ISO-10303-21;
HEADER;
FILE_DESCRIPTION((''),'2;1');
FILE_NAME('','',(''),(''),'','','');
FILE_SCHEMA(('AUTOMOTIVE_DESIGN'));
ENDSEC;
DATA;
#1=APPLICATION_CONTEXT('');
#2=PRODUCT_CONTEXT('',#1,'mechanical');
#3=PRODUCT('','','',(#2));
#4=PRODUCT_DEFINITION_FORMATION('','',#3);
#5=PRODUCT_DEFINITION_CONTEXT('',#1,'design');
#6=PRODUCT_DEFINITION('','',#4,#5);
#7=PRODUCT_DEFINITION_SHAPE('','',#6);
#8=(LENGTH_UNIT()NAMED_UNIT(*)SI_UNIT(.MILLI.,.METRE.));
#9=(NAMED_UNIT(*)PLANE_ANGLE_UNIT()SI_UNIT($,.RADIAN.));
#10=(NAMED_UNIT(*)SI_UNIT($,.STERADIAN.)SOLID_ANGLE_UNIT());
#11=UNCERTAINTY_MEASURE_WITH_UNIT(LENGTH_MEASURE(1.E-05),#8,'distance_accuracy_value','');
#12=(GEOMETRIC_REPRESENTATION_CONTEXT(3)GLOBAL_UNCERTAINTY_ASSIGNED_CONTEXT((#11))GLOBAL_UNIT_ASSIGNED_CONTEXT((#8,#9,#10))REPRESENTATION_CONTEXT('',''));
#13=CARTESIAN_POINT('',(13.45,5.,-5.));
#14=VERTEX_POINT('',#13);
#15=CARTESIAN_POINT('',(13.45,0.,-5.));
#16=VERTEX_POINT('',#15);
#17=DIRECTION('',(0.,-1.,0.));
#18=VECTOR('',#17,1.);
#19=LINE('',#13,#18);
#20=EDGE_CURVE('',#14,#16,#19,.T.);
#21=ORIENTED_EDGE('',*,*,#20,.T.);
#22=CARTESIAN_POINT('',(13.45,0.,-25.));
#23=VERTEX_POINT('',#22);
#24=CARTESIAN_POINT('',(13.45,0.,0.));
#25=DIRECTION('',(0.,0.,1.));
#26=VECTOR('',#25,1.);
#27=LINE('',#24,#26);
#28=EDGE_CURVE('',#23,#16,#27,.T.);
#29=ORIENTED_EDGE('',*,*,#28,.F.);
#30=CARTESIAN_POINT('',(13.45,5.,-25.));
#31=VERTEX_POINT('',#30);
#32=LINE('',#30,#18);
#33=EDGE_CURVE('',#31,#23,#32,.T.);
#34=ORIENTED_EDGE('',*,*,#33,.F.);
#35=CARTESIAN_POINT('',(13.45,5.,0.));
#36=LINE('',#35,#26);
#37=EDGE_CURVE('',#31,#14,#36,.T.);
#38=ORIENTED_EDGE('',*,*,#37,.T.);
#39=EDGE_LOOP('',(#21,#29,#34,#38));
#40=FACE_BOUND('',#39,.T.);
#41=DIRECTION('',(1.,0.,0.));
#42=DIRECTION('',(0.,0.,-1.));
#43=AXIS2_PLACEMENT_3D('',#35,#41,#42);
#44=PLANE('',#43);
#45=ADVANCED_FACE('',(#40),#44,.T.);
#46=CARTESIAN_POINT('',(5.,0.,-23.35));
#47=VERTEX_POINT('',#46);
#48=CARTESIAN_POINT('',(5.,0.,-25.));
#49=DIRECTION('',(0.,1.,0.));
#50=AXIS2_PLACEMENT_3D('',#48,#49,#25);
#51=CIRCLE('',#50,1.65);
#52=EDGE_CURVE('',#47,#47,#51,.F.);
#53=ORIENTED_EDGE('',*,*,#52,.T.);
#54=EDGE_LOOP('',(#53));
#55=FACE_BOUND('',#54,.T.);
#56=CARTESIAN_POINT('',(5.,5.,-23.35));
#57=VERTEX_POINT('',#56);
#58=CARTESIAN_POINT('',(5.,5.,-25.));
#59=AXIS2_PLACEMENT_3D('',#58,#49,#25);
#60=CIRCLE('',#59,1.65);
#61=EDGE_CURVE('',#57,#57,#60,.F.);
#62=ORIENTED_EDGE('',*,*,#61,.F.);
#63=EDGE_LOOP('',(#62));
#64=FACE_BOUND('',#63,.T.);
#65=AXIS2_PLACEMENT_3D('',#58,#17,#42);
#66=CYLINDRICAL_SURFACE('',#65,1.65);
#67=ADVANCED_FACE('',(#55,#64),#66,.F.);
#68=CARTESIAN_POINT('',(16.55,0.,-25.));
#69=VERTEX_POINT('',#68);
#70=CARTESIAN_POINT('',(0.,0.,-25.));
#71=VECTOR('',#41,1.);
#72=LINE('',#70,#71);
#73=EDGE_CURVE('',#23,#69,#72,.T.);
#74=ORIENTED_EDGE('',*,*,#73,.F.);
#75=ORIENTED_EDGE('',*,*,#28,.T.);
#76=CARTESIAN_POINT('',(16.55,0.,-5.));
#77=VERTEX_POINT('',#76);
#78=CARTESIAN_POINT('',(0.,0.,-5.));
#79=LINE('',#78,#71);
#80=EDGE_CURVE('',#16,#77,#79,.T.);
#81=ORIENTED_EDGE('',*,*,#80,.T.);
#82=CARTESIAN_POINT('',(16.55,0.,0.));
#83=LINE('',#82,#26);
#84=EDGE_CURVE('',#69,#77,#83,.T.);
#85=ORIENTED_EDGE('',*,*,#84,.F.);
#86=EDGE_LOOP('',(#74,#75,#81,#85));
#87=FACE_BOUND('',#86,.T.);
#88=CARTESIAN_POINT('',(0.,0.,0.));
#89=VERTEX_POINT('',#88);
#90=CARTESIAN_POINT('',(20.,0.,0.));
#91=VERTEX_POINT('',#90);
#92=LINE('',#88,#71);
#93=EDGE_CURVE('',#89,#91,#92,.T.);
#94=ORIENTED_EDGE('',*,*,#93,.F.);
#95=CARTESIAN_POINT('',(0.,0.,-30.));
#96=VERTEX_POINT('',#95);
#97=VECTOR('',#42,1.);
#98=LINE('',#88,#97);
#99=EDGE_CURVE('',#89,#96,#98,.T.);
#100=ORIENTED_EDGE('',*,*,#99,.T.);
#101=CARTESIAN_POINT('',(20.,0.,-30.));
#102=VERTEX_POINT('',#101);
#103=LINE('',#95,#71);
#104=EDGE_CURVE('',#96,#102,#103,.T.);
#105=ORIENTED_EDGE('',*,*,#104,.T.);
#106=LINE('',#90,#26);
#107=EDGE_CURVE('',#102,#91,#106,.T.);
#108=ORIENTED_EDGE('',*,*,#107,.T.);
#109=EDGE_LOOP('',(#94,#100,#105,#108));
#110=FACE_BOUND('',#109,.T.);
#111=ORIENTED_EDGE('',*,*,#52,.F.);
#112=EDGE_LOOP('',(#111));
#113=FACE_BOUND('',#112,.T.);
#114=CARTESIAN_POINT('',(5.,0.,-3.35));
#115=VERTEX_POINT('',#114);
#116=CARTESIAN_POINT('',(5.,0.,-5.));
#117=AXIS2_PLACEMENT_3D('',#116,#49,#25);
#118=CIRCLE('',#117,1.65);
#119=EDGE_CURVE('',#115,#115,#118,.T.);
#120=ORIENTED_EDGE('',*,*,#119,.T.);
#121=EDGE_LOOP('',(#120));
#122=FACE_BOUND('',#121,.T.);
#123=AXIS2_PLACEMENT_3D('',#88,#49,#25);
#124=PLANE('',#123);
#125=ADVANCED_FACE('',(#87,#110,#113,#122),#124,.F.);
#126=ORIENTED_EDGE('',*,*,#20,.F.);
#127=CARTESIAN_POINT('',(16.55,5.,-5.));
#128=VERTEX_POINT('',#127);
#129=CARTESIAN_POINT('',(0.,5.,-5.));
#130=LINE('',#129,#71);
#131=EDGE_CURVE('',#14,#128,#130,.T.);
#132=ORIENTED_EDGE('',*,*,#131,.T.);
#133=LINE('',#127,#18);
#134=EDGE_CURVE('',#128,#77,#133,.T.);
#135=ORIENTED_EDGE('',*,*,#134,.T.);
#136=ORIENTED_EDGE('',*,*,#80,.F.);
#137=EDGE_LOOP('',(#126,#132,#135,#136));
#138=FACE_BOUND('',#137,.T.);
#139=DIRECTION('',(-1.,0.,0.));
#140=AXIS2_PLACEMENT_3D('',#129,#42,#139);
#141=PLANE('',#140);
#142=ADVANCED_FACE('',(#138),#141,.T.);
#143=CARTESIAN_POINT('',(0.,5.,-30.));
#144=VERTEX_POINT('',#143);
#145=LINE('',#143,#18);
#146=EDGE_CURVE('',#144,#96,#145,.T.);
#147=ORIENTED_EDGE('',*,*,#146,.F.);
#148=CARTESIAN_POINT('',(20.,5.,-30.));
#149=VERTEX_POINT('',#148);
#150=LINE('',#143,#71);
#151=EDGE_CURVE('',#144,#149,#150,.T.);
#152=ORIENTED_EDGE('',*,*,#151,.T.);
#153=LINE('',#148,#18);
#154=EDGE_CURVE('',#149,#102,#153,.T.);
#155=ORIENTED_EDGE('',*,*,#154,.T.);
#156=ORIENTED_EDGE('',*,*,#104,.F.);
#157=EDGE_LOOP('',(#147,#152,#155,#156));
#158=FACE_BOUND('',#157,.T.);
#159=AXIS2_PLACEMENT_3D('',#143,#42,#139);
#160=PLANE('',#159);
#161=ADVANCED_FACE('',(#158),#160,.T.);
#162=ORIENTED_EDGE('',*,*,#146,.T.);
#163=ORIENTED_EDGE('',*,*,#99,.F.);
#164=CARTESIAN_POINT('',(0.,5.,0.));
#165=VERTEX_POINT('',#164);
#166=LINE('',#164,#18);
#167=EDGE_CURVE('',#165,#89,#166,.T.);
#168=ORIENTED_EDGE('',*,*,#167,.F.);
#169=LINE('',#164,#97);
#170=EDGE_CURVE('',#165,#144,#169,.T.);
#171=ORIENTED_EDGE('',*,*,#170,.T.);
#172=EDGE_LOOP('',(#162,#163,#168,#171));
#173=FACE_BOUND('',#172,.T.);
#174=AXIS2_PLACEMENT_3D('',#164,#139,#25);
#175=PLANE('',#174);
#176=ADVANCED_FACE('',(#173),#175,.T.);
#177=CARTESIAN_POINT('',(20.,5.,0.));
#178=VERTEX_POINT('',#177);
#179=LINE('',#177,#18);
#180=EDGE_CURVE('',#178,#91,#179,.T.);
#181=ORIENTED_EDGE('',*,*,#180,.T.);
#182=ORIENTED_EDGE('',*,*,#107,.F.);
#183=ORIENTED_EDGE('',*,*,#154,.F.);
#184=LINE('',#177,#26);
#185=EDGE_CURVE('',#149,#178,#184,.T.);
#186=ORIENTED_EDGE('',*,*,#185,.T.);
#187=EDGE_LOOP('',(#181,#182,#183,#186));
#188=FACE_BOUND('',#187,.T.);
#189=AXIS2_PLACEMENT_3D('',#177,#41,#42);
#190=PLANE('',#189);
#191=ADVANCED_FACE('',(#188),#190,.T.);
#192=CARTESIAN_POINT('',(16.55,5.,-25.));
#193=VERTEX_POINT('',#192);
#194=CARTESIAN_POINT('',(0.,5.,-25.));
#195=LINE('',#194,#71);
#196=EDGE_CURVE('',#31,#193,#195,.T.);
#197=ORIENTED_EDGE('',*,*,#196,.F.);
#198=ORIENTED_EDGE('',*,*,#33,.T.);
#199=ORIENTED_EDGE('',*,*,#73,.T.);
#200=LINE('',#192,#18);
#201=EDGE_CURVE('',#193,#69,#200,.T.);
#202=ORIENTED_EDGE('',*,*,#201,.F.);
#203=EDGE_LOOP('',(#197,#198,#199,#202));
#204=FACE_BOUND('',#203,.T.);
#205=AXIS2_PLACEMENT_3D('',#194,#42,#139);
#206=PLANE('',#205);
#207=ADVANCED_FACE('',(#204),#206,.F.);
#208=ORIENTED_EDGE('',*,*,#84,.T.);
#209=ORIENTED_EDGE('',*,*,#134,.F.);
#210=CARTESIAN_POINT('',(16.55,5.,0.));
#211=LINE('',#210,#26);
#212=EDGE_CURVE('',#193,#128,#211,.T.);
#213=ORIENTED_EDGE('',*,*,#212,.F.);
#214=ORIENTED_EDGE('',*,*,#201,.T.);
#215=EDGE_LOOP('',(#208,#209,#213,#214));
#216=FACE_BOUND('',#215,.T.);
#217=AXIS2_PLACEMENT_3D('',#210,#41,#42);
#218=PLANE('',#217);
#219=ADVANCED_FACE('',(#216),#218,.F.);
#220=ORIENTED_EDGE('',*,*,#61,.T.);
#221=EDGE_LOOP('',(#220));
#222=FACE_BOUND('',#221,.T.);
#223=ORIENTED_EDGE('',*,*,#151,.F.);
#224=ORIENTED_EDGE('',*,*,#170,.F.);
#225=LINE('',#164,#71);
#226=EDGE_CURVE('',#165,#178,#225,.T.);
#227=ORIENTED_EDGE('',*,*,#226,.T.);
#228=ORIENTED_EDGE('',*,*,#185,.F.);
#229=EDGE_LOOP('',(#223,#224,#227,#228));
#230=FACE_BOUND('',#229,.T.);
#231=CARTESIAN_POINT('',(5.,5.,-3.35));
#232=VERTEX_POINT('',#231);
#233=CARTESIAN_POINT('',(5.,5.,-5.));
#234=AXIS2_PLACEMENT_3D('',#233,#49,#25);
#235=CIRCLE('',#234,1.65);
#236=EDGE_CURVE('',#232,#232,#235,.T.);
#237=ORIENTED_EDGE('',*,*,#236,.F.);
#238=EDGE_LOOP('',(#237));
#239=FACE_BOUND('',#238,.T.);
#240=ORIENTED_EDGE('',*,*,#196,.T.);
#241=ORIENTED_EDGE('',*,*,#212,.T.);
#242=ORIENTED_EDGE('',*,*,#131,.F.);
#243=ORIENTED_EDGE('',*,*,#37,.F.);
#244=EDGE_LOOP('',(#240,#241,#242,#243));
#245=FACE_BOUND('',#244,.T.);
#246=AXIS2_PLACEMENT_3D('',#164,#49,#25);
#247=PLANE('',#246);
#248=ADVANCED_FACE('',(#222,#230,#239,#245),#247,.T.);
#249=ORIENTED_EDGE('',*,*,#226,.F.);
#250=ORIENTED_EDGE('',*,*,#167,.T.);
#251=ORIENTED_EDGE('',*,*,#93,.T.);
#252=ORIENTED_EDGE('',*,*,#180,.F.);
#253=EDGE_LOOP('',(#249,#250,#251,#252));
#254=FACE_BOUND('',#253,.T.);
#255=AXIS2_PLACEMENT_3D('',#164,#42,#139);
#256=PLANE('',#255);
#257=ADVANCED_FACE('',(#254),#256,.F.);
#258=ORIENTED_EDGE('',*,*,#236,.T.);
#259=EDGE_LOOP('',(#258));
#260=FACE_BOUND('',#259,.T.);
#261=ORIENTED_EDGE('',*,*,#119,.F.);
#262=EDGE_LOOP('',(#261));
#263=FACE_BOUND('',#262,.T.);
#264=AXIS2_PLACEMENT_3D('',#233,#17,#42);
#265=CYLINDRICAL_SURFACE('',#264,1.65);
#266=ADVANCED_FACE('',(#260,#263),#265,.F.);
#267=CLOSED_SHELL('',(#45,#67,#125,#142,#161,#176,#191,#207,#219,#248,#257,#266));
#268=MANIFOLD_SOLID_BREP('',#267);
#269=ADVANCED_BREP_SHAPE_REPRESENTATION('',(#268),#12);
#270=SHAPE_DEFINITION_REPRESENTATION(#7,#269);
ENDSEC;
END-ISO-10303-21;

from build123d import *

# Parameters (mm, degrees)
SKETCH1_W           = 10
SKETCH1_H           = 15
SKETCH1_R           = 1.65
BOSS_EXTRUDE1_DEPTH = 5


with BuildPart() as part:
    # Sketch1 → Boss-Extrude1 (new body)
    # profile 1 of 4: a face of its own
    with BuildSketch(Plane(origin=(0, 0, 0), x_dir=(1, 0, 0), z_dir=(0, 1, 0))):
        with Locations((5, 22.5)):
            Rectangle(SKETCH1_W, SKETCH1_H)
        with Locations(Location((5, 25, 0), (0, 0, 270))):
            Circle(SKETCH1_R, mode=Mode.SUBTRACT)
    # profile 2 of 4: a face of its own
    with BuildSketch(Plane(origin=(0, 0, 0), x_dir=(1, 0, 0), z_dir=(0, 1, 0))):
        Polygon((10, 30), (10, 15), (13.45, 15), (13.45, 25), (16.55, 25), (16.55, 15), (20, 15), (20, 30), align=None)
    # profile 3 of 4: a face of its own
    with BuildSketch(Plane(origin=(0, 0, 0), x_dir=(1, 0, 0), z_dir=(0, 1, 0))):
        Polygon((13.45, 15), (10, 15), (10, 0), (20, 0), (20, 15), (16.55, 15), (16.55, 5), (13.45, 5), align=None)
    # profile 4 of 4: a face of its own
    with BuildSketch(Plane(origin=(0, 0, 0), x_dir=(1, 0, 0), z_dir=(0, 1, 0))):
        with Locations((5, 7.5)):
            Rectangle(SKETCH1_W, SKETCH1_H)
        with Locations(Location((5, 5, 0), (0, 0, 270))):
            Circle(SKETCH1_R, mode=Mode.SUBTRACT)
    extrude(amount=BOSS_EXTRUDE1_DEPTH)


solid = part.part
